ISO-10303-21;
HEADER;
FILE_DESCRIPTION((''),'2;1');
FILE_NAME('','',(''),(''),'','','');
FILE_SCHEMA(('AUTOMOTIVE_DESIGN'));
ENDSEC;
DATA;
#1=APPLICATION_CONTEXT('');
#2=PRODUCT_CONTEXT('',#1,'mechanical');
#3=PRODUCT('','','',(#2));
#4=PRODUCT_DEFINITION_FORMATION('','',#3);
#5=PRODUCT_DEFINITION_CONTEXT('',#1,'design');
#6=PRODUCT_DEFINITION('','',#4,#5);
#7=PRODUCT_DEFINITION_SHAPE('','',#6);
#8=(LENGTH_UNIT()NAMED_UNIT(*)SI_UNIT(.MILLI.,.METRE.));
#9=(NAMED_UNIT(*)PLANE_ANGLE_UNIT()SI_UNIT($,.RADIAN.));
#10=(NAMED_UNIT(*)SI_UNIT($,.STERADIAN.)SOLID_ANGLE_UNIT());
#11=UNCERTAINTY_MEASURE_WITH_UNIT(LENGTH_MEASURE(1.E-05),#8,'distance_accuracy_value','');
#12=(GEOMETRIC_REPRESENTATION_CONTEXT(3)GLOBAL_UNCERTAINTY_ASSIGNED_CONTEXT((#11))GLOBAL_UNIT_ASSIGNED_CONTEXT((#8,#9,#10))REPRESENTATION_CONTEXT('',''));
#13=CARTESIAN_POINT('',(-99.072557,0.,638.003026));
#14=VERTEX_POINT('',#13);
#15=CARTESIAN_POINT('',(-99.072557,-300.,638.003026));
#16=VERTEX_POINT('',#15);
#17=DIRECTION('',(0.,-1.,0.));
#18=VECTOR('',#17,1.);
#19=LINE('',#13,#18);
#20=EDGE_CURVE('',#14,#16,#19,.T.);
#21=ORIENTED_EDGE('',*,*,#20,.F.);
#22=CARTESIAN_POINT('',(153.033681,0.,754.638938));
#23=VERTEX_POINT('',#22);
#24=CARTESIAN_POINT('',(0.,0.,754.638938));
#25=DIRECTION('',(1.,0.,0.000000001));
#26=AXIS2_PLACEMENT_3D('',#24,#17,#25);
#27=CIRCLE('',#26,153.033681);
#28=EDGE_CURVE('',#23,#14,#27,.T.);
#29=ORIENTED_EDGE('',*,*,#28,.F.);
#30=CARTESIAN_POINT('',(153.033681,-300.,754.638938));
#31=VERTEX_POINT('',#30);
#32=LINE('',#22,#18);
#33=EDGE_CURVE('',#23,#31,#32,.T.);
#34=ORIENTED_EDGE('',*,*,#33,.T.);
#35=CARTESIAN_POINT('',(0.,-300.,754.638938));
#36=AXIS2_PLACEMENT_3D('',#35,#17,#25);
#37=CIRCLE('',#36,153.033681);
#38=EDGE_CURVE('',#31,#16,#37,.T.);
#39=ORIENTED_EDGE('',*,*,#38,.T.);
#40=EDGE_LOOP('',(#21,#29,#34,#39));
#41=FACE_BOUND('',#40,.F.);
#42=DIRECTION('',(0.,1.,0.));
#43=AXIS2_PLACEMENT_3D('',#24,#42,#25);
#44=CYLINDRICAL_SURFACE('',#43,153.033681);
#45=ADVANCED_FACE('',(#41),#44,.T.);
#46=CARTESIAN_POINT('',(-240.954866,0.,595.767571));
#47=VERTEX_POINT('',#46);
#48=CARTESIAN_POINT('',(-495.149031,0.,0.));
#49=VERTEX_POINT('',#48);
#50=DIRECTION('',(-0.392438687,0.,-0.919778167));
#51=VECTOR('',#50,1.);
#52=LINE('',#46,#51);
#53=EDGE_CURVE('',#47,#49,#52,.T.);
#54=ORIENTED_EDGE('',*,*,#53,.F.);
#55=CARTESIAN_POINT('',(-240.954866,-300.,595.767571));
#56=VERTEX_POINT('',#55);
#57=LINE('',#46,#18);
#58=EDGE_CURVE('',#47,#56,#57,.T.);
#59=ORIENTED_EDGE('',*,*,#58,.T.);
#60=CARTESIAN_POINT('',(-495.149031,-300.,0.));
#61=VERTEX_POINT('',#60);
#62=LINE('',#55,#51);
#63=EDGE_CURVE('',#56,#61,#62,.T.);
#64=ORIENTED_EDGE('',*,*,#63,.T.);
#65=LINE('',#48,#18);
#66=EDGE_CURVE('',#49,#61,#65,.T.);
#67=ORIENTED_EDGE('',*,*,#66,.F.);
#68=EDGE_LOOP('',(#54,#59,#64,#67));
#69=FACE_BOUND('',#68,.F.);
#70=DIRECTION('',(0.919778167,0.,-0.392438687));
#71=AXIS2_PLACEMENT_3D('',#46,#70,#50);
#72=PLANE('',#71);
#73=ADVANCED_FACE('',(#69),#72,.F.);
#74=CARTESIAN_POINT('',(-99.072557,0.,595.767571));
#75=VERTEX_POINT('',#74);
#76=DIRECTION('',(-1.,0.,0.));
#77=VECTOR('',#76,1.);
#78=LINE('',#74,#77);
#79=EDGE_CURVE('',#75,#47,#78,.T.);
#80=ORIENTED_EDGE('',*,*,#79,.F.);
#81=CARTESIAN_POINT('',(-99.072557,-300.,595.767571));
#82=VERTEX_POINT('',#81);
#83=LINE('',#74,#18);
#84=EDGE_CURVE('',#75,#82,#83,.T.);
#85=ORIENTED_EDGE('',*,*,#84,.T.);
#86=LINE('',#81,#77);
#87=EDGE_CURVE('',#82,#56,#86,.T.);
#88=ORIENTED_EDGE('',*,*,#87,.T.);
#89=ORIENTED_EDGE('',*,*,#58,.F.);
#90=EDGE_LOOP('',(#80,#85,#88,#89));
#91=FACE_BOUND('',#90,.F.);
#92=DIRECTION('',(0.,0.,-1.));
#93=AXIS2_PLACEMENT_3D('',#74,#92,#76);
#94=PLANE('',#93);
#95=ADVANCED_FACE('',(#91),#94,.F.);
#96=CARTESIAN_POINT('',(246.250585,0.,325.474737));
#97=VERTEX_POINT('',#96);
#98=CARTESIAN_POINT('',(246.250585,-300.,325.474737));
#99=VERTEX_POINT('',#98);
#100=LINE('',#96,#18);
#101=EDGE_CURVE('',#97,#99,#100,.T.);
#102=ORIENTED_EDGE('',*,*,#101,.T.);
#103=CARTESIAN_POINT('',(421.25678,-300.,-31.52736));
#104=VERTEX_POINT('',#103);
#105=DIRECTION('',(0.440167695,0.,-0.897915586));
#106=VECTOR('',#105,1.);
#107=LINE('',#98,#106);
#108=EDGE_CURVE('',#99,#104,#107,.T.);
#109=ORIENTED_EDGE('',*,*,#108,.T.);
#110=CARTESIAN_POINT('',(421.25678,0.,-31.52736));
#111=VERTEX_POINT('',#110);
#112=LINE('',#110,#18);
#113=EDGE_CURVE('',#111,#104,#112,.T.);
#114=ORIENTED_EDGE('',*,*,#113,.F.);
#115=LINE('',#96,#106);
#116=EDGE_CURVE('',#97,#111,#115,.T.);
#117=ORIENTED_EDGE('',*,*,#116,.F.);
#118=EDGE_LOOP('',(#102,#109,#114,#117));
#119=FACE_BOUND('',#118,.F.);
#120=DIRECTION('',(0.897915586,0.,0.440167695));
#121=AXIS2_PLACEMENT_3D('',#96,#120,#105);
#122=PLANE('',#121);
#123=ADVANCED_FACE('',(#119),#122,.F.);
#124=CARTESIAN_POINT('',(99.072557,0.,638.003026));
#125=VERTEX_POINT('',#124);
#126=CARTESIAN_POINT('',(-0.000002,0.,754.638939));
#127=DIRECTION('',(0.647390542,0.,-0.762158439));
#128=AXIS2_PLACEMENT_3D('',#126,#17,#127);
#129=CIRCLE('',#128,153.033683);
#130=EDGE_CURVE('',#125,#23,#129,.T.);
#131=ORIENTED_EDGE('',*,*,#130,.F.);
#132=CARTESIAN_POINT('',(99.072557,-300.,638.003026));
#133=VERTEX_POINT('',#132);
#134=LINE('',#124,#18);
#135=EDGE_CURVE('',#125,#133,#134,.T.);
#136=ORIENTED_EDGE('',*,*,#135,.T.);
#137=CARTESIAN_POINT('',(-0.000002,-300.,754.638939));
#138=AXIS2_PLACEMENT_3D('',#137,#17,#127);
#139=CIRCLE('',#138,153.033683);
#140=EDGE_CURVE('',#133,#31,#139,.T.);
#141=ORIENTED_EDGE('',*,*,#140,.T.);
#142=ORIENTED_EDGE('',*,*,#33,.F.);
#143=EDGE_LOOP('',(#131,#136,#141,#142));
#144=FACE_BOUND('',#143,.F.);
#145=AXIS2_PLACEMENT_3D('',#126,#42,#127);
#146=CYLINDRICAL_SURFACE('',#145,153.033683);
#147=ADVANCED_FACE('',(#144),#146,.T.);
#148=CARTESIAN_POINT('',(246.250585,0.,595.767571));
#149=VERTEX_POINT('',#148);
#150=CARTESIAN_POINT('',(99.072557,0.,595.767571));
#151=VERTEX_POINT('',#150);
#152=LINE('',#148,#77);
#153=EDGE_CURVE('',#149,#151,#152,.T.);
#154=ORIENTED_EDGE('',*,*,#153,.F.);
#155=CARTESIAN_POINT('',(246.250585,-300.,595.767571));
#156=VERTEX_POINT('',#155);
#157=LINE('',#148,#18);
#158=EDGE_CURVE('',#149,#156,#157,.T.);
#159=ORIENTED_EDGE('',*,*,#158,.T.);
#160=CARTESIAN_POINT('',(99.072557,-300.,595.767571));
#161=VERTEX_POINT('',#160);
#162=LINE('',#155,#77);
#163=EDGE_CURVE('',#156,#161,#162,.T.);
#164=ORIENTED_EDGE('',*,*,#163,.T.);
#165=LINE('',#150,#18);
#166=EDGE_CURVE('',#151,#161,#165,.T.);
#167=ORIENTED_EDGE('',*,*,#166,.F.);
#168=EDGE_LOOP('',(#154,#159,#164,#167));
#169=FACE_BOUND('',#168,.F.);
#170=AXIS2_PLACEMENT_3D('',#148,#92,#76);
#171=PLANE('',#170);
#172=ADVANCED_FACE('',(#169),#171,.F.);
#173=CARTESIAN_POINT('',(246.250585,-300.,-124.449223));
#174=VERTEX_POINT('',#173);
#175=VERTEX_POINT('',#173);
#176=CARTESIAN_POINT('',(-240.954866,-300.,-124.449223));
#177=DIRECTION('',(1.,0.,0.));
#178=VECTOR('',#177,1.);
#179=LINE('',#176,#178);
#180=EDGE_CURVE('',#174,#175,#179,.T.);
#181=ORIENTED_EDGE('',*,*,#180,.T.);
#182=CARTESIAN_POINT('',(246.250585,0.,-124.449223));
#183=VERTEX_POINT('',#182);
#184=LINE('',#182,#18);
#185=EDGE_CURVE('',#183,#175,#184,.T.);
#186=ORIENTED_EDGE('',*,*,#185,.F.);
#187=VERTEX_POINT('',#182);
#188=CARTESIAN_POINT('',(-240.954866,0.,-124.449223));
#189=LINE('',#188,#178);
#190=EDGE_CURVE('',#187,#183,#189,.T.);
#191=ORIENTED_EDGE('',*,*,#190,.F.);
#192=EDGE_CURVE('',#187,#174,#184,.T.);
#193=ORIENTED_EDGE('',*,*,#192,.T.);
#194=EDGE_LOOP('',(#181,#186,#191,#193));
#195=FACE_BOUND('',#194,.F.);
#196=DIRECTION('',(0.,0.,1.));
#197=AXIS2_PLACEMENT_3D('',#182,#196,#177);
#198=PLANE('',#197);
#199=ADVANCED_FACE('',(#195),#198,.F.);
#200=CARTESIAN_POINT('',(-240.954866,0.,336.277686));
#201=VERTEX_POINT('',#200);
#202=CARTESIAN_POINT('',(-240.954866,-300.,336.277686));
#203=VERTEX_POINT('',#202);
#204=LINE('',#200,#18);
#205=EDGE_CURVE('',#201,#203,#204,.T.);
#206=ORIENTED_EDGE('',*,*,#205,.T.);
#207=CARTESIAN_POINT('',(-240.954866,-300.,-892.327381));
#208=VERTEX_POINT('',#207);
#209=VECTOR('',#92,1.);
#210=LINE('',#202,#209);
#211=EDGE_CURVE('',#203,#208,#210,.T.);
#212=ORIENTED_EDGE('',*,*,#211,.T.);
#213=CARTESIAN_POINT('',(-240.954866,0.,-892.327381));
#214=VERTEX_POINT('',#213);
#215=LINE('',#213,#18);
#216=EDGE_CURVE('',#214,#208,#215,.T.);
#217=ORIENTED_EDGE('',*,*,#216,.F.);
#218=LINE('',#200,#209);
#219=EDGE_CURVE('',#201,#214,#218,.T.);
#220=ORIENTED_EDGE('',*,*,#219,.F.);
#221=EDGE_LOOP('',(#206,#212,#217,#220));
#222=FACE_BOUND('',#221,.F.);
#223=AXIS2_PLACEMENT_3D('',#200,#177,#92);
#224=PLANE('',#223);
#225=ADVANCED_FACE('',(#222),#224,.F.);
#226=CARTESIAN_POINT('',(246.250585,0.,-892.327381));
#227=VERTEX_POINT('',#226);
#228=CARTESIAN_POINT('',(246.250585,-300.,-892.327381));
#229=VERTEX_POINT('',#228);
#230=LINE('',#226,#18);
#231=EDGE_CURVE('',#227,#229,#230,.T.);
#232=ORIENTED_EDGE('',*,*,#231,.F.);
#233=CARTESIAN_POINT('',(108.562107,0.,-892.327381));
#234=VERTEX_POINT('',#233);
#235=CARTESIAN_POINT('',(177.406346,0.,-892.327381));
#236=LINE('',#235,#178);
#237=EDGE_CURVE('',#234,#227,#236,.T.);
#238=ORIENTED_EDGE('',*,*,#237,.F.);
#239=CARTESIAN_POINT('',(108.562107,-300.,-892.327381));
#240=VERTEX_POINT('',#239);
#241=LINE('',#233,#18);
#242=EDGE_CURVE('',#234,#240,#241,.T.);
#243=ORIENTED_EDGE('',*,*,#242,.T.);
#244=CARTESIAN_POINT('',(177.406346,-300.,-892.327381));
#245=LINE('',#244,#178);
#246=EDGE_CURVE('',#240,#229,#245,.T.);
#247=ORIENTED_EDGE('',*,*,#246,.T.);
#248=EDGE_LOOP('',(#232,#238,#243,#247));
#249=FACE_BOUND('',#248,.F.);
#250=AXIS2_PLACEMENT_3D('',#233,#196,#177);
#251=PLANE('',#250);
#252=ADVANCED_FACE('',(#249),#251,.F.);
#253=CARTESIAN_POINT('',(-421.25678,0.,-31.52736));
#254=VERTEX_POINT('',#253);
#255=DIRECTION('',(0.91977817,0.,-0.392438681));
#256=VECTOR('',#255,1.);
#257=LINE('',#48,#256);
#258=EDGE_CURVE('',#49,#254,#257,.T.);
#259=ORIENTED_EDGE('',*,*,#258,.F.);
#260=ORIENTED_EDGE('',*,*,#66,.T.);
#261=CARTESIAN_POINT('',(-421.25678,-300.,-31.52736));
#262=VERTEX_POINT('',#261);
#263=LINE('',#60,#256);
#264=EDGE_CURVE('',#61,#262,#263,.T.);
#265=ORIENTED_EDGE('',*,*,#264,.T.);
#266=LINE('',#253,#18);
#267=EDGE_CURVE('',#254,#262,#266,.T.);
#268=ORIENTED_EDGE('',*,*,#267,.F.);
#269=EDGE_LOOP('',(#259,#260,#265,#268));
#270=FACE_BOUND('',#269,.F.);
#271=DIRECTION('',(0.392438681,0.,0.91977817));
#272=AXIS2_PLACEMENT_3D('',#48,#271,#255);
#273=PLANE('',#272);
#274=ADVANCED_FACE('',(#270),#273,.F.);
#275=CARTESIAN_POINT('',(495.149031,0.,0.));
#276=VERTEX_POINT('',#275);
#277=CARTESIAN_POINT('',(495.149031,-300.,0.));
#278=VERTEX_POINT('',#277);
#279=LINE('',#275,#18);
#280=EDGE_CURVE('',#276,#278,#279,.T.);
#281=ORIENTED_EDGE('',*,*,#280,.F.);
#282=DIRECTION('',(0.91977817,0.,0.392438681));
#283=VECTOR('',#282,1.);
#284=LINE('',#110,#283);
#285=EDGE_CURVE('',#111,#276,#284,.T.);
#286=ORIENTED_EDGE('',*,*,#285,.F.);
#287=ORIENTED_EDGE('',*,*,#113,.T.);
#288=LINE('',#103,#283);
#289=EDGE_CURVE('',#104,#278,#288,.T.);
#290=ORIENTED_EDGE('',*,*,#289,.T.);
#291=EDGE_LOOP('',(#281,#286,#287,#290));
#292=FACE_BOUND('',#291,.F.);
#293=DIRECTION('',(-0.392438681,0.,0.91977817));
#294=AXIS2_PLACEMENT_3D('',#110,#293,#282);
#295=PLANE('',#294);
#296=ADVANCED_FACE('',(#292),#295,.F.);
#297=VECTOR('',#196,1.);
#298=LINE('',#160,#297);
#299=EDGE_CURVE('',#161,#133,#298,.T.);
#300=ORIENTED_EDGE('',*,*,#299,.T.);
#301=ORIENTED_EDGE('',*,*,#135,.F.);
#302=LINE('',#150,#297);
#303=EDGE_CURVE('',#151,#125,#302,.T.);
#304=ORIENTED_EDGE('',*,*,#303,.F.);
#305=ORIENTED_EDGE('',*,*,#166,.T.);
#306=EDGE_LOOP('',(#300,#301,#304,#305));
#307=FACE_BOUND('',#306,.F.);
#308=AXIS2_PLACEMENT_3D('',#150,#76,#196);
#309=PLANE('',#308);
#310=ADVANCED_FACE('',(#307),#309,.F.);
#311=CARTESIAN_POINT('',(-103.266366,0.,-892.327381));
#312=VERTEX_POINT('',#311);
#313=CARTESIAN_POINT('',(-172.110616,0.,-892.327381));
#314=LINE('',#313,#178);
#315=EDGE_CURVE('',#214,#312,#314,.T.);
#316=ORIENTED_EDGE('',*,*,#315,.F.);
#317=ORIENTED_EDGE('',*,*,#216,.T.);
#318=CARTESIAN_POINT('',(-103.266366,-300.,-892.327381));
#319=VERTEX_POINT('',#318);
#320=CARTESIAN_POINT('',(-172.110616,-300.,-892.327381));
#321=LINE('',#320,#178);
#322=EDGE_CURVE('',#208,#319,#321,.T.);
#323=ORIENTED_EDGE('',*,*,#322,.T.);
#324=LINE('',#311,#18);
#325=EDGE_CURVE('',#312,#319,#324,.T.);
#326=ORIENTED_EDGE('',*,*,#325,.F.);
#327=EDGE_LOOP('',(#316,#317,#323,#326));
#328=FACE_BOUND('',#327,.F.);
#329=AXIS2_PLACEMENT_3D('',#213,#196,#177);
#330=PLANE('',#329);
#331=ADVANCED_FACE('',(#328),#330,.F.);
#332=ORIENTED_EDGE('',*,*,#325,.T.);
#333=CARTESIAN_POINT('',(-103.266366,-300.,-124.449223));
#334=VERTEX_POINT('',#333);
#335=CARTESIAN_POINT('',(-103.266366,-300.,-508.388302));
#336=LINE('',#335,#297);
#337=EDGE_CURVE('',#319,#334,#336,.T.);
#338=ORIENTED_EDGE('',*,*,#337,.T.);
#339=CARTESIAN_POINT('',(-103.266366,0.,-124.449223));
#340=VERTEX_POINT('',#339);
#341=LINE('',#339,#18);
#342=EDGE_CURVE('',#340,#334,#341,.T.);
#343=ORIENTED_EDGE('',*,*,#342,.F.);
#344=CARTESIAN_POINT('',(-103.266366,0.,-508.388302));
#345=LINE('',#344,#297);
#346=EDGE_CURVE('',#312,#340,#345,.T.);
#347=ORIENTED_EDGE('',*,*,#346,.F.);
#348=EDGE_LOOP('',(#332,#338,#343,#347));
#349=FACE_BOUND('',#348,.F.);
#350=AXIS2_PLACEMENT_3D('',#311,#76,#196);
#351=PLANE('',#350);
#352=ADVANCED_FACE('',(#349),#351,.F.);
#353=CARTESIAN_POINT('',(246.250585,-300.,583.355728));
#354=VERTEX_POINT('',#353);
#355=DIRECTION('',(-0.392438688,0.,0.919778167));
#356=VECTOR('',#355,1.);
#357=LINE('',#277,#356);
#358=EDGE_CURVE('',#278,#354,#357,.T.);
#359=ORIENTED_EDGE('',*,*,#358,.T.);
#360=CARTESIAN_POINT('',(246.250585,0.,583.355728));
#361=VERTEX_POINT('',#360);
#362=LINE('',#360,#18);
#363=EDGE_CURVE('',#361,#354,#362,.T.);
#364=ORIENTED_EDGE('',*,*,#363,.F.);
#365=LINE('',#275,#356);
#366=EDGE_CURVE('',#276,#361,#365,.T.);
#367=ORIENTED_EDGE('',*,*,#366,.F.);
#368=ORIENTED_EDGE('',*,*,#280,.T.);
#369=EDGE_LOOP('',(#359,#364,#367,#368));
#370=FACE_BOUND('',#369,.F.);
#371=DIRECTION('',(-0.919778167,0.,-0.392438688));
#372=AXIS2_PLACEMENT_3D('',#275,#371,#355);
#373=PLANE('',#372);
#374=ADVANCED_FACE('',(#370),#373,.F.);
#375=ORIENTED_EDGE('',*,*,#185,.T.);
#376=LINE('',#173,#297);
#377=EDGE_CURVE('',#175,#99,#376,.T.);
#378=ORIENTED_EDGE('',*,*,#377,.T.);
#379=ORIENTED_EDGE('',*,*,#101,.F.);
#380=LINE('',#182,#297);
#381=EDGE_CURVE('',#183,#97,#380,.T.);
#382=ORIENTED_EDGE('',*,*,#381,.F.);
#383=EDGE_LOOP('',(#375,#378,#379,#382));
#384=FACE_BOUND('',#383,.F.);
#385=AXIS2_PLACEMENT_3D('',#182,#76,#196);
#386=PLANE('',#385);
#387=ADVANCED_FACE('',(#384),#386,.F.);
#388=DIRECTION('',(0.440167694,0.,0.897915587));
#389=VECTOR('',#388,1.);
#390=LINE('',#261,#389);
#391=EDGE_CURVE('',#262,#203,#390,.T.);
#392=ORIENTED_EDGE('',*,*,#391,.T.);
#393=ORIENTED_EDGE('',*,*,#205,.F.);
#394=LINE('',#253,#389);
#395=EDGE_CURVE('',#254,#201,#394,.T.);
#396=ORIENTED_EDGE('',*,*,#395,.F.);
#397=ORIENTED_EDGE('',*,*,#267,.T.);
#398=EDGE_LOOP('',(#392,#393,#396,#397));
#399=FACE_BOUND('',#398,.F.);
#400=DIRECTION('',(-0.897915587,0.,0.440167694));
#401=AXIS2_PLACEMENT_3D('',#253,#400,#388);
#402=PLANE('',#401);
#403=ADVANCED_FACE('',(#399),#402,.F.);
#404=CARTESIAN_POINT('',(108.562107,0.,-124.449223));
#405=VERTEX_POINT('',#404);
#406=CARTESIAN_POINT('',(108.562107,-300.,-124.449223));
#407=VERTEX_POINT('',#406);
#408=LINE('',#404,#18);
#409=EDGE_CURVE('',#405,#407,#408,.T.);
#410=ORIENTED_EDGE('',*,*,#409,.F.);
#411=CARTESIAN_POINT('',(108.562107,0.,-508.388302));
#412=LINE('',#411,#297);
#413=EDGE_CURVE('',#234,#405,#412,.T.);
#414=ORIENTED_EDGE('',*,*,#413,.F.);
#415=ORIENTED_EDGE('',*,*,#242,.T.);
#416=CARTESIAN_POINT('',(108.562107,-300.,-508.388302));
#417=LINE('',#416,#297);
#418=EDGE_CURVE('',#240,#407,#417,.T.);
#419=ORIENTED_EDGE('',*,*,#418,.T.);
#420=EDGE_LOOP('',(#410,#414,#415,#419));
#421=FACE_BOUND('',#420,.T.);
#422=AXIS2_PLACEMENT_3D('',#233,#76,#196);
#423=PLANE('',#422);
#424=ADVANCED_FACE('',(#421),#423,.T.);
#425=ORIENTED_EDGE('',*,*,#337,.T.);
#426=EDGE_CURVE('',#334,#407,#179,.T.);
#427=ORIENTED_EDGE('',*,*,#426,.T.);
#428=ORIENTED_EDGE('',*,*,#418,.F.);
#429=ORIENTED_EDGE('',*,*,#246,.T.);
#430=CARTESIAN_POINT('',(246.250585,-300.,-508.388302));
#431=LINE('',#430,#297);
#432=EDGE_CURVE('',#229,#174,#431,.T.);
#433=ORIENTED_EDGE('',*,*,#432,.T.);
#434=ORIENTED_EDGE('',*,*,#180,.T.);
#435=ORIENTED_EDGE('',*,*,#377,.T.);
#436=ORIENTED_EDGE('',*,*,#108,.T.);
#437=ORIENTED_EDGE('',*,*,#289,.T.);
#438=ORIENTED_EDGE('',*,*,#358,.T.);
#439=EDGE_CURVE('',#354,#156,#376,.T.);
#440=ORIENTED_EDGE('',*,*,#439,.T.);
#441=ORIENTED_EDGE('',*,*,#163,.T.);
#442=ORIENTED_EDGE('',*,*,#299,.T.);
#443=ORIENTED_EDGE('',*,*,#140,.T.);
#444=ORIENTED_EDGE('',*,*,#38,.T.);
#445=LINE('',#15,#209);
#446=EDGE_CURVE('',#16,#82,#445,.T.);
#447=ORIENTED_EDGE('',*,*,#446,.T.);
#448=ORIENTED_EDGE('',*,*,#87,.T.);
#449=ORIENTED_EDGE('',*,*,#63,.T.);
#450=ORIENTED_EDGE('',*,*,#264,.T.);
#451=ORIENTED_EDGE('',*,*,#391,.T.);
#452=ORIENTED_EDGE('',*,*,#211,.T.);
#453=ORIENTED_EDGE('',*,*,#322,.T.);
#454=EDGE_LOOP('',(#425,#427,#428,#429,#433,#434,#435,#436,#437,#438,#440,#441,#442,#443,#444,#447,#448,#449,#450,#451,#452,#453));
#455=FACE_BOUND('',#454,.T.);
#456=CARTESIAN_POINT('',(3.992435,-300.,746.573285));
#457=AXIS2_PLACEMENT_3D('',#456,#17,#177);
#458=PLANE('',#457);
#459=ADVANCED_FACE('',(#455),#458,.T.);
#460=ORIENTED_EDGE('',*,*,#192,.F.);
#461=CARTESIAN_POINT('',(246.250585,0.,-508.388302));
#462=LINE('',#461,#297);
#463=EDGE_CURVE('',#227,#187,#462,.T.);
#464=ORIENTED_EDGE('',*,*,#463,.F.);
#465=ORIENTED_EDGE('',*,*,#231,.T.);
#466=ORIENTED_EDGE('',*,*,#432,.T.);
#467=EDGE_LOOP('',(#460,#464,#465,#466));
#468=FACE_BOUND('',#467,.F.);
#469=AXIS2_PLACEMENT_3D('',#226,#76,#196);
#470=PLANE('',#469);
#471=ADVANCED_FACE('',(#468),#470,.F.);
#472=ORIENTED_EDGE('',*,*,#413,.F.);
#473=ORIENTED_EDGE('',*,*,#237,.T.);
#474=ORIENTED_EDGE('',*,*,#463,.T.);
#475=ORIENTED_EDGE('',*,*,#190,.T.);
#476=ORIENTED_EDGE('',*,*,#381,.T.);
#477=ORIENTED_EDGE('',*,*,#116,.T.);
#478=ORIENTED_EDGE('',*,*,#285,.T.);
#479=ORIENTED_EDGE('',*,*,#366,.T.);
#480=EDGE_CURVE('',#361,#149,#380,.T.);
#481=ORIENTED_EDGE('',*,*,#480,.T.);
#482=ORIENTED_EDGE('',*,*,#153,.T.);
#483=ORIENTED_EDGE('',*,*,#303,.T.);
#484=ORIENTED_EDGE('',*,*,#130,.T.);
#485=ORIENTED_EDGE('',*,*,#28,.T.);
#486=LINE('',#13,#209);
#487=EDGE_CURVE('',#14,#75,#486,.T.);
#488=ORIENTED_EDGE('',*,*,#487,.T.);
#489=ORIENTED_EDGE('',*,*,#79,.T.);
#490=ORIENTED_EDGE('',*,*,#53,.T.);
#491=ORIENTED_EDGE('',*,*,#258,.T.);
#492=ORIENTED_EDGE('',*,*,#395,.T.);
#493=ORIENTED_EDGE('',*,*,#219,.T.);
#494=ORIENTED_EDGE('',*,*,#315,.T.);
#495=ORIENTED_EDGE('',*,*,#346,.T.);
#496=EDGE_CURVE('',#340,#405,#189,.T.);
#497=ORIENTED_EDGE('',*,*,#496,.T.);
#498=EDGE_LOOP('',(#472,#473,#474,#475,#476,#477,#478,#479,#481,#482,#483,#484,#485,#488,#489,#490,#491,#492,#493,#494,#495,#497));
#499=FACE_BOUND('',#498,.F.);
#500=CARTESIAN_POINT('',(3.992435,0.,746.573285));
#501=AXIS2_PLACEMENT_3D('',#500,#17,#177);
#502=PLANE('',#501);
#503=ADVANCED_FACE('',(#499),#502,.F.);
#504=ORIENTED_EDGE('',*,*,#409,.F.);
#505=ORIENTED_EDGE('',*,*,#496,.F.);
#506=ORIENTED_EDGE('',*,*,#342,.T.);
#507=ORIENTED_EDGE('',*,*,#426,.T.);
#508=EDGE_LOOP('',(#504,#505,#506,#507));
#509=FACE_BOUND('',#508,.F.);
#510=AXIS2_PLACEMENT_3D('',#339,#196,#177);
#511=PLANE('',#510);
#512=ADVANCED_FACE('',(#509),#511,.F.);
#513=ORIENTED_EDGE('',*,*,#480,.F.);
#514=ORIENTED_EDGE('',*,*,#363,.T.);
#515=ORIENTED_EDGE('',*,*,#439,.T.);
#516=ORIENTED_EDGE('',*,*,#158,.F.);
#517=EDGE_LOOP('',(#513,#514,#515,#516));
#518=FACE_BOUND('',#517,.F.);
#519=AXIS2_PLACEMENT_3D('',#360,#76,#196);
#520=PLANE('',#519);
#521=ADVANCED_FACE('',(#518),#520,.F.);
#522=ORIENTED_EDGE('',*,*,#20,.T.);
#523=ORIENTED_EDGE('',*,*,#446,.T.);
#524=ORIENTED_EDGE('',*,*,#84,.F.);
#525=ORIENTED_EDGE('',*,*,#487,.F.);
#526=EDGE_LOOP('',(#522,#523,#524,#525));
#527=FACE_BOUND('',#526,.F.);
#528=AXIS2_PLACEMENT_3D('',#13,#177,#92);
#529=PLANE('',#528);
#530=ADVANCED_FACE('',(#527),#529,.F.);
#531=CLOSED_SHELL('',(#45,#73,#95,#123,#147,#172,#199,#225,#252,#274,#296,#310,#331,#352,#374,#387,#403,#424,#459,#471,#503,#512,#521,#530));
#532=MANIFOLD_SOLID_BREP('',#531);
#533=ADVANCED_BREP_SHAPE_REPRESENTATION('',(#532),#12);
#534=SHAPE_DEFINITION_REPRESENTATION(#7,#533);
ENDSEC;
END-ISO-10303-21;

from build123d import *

# Parameters (mm, degrees)
F0_W     = 137.6885
F0_H     = 767.878158
F0_W_2   = 137.688477
F1_DEPTH = 300


with BuildPart() as f1:
    # F0 (on Front) → F1 (new body)
    with BuildSketch(Plane.XZ):
        with BuildLine():
            ThreePointArc((99.072557, 638.003026), (138.889786, 690.38215), (153.033681, 754.638938))
            ThreePointArc((153.033681, 754.638938), (-64.256788, 893.528724), (-99.072557, 638.003026))
            ThreePointArc((-99.072557, 638.003026), (0, 601.605257), (99.072557, 638.003026))
        make_face()
        with BuildLine():
            ThreePointArc((99.072557, 638.003026), (0, 601.605257), (-99.072557, 638.003026))
            Line((-99.072557, 638.003026), (-99.072557, 595.767571))
            Line((-99.072557, 595.767571), (99.072557, 595.767571))
            Line((99.072557, 595.767571), (99.072557, 638.003026))
        make_face()
        Polygon((99.072557, 595.767571), (-99.072557, 595.767571), (-240.954866, 595.767571), (-240.954866, 336.277686), (-240.954866, -124.449223), (-103.266366, -124.449223), (108.562108, -124.449223), (246.250585, -124.449223), (246.250585, 325.474737), (246.250585, 583.355728), (240.954866, 595.767571), align=None)
        Polygon((-240.954866, 336.277686), (-240.954866, 595.767571), (-495.149031, 0), (-421.25678, -31.52736), align=None)
        Polygon((246.250585, 595.767571), (240.954866, 595.767571), (246.250585, 583.355728), align=None)
        Polygon((495.149031, 0), (246.250585, 583.355728), (246.250585, 325.474737), (421.25678, -31.52736), align=None)
        with Locations((-172.110616, -508.388302)):
            Rectangle(F0_W, F0_H)
        with Locations((177.406346, -508.388302)):
            Rectangle(F0_W_2, F0_H)
    extrude(amount=F1_DEPTH)


solid = f1.part
